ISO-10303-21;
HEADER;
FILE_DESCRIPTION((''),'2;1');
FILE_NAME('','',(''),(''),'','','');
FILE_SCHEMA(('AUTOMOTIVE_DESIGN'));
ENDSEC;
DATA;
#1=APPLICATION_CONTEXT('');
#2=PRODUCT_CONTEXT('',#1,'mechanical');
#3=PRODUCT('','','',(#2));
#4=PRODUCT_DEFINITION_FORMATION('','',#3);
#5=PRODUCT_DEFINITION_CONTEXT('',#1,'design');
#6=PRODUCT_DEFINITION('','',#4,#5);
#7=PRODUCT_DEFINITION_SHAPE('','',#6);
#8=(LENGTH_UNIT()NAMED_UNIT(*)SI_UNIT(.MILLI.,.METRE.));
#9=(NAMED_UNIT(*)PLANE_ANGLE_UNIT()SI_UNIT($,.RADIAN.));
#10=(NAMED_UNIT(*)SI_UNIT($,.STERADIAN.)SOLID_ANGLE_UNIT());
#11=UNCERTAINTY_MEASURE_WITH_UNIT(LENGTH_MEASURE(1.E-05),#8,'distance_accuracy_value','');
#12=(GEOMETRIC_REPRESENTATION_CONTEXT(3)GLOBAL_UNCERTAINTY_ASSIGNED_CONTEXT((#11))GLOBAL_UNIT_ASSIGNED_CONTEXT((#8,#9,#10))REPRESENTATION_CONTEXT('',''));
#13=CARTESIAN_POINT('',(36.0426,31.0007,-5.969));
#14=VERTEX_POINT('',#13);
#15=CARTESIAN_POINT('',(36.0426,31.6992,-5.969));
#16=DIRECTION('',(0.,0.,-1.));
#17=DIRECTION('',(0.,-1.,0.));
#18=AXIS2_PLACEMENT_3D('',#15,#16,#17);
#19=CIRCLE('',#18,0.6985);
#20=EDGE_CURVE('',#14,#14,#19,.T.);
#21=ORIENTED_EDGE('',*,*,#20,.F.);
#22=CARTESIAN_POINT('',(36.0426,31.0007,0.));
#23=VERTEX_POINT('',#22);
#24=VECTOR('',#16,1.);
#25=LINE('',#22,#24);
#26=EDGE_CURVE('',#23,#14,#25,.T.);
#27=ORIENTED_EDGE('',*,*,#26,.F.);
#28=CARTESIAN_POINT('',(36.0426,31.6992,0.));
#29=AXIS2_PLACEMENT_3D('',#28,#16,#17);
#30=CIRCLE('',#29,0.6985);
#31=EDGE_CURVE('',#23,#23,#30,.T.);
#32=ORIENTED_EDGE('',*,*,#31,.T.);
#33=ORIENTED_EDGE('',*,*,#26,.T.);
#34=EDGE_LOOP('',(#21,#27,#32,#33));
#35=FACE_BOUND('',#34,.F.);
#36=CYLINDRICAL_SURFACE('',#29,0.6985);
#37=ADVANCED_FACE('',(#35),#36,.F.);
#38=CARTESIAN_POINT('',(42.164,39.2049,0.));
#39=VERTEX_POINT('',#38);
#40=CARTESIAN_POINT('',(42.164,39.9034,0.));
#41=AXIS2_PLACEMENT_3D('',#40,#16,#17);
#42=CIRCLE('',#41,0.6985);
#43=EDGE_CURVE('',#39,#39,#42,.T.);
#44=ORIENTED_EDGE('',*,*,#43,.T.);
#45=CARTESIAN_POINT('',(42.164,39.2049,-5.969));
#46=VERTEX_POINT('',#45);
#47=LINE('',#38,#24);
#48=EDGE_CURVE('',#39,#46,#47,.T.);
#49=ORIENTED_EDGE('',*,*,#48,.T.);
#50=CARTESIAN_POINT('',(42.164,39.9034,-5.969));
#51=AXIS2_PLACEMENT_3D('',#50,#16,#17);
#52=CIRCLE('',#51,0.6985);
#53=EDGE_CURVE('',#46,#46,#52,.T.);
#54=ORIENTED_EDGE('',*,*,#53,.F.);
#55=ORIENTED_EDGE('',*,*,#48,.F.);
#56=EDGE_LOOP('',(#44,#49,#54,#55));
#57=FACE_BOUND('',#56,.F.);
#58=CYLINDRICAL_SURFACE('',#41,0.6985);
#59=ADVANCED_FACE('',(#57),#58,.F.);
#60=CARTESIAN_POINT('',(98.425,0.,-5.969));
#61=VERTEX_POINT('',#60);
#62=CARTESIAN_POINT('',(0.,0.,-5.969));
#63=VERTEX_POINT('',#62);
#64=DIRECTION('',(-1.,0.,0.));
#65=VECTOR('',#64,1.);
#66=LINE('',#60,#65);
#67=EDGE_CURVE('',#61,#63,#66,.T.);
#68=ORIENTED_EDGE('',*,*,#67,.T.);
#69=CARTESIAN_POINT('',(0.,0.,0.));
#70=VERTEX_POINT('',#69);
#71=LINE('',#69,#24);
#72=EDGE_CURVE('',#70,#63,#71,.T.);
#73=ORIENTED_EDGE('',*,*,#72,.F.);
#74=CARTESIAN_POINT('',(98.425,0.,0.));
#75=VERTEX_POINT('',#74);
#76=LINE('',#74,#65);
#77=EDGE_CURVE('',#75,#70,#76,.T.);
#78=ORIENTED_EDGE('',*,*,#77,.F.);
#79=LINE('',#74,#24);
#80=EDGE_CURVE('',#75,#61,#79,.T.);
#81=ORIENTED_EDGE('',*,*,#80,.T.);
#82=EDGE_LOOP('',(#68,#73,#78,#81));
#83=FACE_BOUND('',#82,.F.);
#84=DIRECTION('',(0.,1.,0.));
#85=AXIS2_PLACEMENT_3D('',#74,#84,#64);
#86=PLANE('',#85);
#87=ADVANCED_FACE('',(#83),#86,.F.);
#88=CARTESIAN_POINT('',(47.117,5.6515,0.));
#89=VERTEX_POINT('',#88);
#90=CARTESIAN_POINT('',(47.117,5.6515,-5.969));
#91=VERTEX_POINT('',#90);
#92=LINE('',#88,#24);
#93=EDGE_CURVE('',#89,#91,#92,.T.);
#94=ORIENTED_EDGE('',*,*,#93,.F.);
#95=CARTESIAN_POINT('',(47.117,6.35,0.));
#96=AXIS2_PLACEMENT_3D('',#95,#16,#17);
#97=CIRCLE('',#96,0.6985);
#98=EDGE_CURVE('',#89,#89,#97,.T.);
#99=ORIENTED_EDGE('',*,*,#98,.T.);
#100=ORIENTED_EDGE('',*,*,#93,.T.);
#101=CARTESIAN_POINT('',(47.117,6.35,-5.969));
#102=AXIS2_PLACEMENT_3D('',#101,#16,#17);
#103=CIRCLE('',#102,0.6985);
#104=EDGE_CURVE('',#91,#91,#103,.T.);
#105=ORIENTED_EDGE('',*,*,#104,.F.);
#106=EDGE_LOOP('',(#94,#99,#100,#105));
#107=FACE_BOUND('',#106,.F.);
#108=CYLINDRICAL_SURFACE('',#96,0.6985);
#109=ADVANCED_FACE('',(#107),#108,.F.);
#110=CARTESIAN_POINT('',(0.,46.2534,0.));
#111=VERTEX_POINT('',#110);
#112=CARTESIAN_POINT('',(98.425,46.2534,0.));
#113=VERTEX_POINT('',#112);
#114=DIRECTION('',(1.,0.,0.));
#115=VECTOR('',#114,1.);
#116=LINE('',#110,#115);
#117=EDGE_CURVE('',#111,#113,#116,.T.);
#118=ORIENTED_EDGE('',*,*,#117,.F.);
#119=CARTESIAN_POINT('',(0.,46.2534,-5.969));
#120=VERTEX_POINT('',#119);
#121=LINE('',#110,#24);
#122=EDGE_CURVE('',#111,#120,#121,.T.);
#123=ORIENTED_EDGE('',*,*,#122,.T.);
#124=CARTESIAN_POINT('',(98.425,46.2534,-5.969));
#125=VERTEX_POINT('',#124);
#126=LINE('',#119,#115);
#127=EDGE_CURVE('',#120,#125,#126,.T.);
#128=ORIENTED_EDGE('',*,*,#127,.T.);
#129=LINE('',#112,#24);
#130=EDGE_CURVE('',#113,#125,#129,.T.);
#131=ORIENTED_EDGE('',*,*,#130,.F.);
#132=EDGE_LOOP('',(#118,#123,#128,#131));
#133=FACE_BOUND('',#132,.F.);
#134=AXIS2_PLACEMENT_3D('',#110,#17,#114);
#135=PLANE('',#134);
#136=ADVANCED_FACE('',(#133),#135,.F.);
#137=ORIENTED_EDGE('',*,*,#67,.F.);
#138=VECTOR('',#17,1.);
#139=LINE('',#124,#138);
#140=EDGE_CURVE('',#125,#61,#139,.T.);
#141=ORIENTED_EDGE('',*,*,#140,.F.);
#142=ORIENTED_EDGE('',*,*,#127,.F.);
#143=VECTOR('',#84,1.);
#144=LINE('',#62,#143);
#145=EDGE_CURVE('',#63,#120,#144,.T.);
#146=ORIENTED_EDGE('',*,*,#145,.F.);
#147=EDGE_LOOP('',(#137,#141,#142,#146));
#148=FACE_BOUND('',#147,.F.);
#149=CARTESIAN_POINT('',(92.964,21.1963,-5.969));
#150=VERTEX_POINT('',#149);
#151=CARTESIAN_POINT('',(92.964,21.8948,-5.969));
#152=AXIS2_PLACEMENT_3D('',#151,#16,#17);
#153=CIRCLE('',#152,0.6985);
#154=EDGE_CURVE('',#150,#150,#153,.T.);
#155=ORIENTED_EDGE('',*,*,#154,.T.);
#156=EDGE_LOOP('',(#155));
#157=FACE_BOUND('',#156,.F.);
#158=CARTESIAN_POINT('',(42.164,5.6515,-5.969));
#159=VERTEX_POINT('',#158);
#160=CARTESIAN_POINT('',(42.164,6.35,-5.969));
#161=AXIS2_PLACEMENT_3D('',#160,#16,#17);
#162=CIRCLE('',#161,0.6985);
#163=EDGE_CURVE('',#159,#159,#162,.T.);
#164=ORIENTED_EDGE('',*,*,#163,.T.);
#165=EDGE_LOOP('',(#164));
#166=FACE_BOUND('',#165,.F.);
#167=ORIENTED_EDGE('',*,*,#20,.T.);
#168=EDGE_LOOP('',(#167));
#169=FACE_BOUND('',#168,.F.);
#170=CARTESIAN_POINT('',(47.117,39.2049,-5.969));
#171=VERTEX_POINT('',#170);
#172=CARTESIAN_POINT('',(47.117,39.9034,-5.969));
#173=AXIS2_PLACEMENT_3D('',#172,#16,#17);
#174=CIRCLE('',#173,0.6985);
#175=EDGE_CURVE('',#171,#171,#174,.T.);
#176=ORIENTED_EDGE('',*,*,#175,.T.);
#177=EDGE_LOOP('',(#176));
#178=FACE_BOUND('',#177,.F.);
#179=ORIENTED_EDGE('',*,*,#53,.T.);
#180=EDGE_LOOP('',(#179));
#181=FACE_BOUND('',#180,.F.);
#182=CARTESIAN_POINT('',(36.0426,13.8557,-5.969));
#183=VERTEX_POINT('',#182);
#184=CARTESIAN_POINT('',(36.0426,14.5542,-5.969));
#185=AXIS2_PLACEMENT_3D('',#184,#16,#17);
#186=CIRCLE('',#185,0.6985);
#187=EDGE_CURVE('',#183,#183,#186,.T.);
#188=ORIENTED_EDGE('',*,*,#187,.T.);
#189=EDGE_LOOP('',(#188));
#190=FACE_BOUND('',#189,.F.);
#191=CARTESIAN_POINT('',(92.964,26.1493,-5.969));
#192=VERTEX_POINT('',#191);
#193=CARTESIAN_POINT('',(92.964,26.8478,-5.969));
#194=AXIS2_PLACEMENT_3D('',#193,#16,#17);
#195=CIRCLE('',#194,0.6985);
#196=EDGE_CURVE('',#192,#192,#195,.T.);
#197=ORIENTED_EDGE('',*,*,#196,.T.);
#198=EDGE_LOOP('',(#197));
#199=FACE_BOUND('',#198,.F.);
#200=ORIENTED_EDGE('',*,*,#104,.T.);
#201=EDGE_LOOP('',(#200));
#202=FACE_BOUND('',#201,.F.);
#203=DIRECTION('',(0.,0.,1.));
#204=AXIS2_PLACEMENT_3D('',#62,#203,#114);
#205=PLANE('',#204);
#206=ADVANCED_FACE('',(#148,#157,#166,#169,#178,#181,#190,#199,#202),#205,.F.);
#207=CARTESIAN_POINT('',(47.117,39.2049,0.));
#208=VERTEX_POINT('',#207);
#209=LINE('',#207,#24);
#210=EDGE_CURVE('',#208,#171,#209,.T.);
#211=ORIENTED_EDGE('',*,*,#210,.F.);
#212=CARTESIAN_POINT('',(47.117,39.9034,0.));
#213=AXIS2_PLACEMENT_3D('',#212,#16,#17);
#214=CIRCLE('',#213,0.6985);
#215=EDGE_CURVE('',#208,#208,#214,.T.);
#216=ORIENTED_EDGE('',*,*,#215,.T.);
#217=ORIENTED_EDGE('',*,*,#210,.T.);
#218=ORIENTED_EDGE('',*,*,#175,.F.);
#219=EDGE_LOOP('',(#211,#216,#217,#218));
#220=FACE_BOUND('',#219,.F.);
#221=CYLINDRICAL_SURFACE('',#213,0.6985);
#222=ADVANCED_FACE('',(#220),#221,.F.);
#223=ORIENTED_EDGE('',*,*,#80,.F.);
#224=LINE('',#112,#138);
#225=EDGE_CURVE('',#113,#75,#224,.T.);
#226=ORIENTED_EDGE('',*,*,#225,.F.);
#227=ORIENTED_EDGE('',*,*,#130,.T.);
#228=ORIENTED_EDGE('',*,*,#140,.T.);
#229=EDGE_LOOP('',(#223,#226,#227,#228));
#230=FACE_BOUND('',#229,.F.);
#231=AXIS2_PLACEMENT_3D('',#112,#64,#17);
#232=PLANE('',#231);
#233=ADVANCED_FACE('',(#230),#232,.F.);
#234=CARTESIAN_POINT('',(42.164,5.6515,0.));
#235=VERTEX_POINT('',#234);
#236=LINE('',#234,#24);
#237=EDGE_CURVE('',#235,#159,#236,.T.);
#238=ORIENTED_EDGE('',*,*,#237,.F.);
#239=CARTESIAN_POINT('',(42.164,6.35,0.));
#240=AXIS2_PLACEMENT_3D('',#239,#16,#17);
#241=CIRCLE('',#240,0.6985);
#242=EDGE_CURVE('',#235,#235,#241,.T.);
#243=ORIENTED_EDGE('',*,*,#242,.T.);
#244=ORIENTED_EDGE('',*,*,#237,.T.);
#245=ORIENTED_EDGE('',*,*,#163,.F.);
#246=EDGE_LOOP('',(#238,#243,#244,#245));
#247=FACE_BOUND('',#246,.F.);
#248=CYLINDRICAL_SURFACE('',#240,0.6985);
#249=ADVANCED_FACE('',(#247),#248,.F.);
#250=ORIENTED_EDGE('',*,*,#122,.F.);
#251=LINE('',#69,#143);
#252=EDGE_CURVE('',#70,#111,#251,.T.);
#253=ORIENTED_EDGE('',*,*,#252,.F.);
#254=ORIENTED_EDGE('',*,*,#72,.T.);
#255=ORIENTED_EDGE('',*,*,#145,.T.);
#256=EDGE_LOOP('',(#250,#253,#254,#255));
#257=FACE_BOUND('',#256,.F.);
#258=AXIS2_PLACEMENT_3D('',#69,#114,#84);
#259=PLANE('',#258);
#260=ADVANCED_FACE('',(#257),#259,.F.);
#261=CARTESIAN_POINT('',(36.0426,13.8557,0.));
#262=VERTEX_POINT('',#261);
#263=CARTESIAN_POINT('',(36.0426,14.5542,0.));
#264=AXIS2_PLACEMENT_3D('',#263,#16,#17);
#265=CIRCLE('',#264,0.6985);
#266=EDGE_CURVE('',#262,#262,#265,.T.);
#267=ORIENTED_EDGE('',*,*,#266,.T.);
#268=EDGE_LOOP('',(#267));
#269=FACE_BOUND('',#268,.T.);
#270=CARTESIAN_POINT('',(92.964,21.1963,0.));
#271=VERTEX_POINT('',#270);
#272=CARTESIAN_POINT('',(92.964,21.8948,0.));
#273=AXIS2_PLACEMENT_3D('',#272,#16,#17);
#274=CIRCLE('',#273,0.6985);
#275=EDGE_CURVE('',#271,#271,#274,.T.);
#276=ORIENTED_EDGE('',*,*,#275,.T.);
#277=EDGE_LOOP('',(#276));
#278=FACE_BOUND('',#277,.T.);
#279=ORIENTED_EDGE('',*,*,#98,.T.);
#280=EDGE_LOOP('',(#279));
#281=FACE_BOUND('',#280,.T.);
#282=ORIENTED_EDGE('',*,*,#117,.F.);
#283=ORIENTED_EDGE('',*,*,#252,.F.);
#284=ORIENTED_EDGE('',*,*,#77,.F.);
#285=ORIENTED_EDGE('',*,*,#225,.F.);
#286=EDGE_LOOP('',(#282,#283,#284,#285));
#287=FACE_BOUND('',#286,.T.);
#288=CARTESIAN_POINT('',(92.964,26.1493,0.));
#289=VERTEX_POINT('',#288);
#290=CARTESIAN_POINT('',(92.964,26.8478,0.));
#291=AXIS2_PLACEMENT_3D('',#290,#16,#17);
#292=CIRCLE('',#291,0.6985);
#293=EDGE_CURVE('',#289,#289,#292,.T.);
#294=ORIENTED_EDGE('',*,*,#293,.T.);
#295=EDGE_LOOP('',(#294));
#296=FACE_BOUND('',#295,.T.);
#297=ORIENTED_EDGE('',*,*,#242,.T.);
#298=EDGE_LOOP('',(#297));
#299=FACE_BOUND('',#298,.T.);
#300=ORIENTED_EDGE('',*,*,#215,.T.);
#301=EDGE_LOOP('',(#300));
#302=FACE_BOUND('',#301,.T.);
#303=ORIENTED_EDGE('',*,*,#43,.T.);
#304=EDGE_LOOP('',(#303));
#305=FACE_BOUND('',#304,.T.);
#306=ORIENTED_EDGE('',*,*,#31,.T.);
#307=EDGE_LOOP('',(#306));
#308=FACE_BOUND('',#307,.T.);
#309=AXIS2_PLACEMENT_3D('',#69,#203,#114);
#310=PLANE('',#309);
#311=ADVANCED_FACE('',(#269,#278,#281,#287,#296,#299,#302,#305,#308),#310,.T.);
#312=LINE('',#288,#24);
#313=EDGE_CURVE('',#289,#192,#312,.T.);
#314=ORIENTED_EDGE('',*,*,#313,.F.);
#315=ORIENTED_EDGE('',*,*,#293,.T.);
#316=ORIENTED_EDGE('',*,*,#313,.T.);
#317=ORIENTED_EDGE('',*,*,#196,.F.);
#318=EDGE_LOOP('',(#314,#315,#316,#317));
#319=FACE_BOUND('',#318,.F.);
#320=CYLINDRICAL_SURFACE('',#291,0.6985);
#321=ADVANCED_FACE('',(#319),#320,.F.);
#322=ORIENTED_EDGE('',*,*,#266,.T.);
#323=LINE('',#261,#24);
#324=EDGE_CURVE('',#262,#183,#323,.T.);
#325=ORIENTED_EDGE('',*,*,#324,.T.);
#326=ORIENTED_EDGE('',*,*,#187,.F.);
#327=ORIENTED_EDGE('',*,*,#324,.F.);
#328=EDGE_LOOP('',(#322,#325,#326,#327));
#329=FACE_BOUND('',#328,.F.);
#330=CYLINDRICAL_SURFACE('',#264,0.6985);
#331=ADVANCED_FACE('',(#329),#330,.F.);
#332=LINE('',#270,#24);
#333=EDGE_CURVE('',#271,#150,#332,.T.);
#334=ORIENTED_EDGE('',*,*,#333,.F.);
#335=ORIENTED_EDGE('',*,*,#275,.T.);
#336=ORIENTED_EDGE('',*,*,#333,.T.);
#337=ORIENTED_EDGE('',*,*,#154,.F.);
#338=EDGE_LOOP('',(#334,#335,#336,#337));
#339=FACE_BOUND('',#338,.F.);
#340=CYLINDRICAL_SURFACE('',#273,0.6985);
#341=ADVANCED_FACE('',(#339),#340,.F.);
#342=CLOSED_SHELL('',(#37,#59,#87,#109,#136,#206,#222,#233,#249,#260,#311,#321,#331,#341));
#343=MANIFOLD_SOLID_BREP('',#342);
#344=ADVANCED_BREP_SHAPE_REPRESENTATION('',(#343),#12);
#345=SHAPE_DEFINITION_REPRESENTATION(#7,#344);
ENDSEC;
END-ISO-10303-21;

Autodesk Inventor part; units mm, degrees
ref_plane "YZ Plane" through (0, 0, 0) normal (1, 0, 0) x (0, 1, 0)
sketch "Sketch1" plane through (0, 0, 0) normal (0, 0, 1) x (1, 0, 0)
  line L0 (0, 46.2534) -> (98.425, 46.2534)
  line L1 (98.425, 46.2534) -> (98.425, 0)
  line L2 (98.425, 0) -> (0, 0)
  line L3 (0, 0) -> (0, 46.2534)
  point P0 (0, 0)
  dimension "d0" = 98.425
  dimension "d1" = 46.2534
extrude "Extrusion1" add sketch "Sketch1" against normal blind 5.969
sketch "Sketch2" plane through (0, 0, 0) normal (0, 0, 1) x (1, 0, 0)
  line L0 (0, 0) -> (0, 46.2534) projected
  line L1 (98.425, 0) -> (0, 0) projected
  line L2 (98.425, 46.2534) -> (98.425, 0) projected
  line L3 (0, 46.2534) -> (98.425, 46.2534) projected
  point P0 (42.164, 39.9034)
  point P1 (47.117, 39.9034)
  point P2 (36.0426, 31.6992)
  point P3 (36.0426, 14.5542)
  point P4 (42.164, 6.35)
  point P5 (47.117, 6.35)
  point P6 (92.964, 26.8478)
  point P7 (92.964, 21.8948)
  dimension "d22" = 42.164
  dimension "d23" = 36.0426
  dimension "d24" = 14.5542
  dimension "d25" = 36.0426
  dimension "d26" = 47.117
  dimension "d27" = 42.164
  dimension "d29" = 5.461
  dimension "d32" = 19.4056
  dimension "d33" = 6.35
  dimension "d34" = 6.35
  dimension "d35" = 14.5542
  dimension "d36" = 6.35
  dimension "d37" = 6.35
  dimension "d38" = 4.953
  dimension "d39" = 17.145
  dimension "d40" = 5.461
  dimension "d41" = 4.953
hole "Hole1" at (42.164, 39.9034, 0) at (47.117, 39.9034, 0) at (36.0426, 31.6992, 0) at (36.0426, 14.5542, 0) at (42.164, 6.35, 0) at (47.117, 6.35, 0) at (92.964, 26.8478, 0) at (92.964, 21.8948, 0) direction (0, 0, -1) diameter 1.397 end through all
properties part number "Sun_BaseStaple" material "Wood (Birch)"
